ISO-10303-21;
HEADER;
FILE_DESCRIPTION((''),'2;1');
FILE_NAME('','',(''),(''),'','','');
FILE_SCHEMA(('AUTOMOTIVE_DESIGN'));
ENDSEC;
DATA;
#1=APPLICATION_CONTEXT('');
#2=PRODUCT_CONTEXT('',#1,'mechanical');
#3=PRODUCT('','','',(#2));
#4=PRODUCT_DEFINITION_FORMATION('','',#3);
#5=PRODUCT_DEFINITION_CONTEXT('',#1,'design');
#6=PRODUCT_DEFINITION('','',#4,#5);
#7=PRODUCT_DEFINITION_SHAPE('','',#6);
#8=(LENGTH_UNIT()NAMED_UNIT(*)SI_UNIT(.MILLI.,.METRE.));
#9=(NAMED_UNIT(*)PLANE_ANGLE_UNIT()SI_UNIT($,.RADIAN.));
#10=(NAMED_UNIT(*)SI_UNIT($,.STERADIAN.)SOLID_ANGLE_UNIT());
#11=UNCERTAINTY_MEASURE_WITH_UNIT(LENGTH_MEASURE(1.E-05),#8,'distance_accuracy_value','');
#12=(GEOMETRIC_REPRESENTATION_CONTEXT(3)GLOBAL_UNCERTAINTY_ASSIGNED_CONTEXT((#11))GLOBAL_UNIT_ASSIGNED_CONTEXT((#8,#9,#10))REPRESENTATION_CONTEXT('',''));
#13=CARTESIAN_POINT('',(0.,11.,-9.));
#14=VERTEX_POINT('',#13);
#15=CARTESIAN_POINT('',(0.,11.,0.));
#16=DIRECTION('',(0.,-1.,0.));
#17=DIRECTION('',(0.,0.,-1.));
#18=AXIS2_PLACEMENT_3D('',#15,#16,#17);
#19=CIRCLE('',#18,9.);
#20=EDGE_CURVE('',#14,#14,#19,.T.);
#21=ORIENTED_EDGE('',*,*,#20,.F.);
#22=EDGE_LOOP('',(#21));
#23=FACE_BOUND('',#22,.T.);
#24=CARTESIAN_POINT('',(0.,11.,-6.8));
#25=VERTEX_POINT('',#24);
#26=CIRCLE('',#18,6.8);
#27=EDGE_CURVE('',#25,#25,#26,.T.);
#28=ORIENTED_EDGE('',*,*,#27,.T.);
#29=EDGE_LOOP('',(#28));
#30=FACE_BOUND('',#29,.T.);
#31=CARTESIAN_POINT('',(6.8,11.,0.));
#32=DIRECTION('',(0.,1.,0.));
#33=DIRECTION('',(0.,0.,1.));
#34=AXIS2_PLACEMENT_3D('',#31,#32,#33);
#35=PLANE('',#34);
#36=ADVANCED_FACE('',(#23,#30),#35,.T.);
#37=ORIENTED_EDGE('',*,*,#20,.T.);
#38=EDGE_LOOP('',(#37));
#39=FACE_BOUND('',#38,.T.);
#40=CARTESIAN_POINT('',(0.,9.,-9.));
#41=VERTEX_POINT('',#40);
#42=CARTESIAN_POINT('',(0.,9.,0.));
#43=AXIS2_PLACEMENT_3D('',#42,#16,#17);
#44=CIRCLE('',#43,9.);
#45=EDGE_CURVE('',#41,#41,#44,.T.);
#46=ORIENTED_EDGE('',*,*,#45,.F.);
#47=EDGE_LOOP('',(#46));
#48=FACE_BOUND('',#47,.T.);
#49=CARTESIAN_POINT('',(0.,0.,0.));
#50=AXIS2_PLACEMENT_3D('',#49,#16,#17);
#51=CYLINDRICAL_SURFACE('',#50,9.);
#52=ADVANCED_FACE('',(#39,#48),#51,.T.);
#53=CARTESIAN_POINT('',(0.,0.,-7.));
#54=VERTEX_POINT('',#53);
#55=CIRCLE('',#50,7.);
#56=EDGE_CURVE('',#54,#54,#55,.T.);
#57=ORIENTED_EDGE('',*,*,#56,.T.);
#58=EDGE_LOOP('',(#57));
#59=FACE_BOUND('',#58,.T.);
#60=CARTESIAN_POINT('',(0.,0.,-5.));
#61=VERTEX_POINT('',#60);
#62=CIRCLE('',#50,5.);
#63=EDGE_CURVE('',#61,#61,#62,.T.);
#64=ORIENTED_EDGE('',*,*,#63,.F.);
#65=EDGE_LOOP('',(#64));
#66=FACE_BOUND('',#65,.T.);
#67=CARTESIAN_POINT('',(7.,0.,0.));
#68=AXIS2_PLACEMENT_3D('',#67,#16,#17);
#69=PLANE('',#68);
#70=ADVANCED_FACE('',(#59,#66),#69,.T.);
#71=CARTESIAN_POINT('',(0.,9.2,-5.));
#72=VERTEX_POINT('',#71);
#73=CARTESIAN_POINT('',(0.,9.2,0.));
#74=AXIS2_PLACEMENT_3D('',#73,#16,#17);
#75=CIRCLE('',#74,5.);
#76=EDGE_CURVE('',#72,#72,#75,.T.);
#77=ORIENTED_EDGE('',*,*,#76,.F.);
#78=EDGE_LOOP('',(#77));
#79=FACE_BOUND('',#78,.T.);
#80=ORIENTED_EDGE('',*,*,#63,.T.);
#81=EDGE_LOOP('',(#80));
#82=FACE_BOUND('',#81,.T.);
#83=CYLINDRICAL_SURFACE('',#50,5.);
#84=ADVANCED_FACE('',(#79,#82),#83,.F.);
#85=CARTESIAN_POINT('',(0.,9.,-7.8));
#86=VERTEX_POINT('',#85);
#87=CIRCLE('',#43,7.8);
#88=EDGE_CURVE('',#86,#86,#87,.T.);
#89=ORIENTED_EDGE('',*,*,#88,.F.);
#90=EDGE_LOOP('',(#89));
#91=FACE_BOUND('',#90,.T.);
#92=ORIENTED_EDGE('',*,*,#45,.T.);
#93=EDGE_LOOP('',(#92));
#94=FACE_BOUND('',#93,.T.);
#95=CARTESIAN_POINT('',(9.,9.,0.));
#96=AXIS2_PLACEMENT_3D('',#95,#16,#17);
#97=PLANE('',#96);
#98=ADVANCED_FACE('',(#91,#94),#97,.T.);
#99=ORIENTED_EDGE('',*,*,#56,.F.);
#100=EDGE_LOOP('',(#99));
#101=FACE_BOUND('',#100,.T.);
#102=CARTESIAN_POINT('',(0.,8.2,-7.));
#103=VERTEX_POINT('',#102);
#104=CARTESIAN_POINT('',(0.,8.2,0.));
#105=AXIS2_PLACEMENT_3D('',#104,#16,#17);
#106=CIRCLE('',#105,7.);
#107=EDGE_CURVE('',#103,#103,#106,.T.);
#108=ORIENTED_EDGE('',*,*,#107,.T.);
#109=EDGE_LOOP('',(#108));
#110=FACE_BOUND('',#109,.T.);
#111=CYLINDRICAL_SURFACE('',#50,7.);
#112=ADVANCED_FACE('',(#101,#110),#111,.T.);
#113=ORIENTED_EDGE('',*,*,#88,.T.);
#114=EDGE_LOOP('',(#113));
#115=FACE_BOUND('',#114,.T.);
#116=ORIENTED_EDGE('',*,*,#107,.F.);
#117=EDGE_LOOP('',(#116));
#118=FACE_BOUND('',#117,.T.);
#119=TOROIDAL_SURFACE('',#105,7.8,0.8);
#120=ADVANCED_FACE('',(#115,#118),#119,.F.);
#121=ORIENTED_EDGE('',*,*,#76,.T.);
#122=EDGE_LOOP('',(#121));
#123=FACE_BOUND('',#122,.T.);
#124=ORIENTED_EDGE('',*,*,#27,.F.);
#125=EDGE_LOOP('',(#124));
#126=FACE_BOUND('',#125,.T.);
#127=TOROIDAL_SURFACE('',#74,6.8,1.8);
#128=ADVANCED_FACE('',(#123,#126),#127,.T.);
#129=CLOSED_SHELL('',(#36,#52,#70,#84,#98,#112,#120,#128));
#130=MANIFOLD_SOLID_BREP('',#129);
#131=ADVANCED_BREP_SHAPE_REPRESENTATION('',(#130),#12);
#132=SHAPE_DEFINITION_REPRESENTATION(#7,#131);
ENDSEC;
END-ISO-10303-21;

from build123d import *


with BuildPart() as part:
    # Esquisse1 → Base-Révolution (revolve)
    with BuildSketch(Plane.XY, mode=Mode.PRIVATE) as base_r_volution_sk:
        with BuildLine():
            Line((5, 0), (5, 9.2))
            ThreePointArc((5, 9.2), (5.527207794, 10.472792206), (6.8, 11))
            Line((6.8, 11), (9, 11))
            Line((9, 11), (9, 9))
            Line((9, 9), (7.8, 9))
            ThreePointArc((7.8, 9), (7.234314575, 8.765685425), (7, 8.2))
            Line((7, 8.2), (7, 0))
            Line((7, 0), (5, 0))
        make_face()
    revolve(base_r_volution_sk.sketch.rotate(Axis((0, 0, 0), (0, 1, 0)), 90), axis=Axis((0, 0, 0), (0, 1, 0)))


solid = part.part
